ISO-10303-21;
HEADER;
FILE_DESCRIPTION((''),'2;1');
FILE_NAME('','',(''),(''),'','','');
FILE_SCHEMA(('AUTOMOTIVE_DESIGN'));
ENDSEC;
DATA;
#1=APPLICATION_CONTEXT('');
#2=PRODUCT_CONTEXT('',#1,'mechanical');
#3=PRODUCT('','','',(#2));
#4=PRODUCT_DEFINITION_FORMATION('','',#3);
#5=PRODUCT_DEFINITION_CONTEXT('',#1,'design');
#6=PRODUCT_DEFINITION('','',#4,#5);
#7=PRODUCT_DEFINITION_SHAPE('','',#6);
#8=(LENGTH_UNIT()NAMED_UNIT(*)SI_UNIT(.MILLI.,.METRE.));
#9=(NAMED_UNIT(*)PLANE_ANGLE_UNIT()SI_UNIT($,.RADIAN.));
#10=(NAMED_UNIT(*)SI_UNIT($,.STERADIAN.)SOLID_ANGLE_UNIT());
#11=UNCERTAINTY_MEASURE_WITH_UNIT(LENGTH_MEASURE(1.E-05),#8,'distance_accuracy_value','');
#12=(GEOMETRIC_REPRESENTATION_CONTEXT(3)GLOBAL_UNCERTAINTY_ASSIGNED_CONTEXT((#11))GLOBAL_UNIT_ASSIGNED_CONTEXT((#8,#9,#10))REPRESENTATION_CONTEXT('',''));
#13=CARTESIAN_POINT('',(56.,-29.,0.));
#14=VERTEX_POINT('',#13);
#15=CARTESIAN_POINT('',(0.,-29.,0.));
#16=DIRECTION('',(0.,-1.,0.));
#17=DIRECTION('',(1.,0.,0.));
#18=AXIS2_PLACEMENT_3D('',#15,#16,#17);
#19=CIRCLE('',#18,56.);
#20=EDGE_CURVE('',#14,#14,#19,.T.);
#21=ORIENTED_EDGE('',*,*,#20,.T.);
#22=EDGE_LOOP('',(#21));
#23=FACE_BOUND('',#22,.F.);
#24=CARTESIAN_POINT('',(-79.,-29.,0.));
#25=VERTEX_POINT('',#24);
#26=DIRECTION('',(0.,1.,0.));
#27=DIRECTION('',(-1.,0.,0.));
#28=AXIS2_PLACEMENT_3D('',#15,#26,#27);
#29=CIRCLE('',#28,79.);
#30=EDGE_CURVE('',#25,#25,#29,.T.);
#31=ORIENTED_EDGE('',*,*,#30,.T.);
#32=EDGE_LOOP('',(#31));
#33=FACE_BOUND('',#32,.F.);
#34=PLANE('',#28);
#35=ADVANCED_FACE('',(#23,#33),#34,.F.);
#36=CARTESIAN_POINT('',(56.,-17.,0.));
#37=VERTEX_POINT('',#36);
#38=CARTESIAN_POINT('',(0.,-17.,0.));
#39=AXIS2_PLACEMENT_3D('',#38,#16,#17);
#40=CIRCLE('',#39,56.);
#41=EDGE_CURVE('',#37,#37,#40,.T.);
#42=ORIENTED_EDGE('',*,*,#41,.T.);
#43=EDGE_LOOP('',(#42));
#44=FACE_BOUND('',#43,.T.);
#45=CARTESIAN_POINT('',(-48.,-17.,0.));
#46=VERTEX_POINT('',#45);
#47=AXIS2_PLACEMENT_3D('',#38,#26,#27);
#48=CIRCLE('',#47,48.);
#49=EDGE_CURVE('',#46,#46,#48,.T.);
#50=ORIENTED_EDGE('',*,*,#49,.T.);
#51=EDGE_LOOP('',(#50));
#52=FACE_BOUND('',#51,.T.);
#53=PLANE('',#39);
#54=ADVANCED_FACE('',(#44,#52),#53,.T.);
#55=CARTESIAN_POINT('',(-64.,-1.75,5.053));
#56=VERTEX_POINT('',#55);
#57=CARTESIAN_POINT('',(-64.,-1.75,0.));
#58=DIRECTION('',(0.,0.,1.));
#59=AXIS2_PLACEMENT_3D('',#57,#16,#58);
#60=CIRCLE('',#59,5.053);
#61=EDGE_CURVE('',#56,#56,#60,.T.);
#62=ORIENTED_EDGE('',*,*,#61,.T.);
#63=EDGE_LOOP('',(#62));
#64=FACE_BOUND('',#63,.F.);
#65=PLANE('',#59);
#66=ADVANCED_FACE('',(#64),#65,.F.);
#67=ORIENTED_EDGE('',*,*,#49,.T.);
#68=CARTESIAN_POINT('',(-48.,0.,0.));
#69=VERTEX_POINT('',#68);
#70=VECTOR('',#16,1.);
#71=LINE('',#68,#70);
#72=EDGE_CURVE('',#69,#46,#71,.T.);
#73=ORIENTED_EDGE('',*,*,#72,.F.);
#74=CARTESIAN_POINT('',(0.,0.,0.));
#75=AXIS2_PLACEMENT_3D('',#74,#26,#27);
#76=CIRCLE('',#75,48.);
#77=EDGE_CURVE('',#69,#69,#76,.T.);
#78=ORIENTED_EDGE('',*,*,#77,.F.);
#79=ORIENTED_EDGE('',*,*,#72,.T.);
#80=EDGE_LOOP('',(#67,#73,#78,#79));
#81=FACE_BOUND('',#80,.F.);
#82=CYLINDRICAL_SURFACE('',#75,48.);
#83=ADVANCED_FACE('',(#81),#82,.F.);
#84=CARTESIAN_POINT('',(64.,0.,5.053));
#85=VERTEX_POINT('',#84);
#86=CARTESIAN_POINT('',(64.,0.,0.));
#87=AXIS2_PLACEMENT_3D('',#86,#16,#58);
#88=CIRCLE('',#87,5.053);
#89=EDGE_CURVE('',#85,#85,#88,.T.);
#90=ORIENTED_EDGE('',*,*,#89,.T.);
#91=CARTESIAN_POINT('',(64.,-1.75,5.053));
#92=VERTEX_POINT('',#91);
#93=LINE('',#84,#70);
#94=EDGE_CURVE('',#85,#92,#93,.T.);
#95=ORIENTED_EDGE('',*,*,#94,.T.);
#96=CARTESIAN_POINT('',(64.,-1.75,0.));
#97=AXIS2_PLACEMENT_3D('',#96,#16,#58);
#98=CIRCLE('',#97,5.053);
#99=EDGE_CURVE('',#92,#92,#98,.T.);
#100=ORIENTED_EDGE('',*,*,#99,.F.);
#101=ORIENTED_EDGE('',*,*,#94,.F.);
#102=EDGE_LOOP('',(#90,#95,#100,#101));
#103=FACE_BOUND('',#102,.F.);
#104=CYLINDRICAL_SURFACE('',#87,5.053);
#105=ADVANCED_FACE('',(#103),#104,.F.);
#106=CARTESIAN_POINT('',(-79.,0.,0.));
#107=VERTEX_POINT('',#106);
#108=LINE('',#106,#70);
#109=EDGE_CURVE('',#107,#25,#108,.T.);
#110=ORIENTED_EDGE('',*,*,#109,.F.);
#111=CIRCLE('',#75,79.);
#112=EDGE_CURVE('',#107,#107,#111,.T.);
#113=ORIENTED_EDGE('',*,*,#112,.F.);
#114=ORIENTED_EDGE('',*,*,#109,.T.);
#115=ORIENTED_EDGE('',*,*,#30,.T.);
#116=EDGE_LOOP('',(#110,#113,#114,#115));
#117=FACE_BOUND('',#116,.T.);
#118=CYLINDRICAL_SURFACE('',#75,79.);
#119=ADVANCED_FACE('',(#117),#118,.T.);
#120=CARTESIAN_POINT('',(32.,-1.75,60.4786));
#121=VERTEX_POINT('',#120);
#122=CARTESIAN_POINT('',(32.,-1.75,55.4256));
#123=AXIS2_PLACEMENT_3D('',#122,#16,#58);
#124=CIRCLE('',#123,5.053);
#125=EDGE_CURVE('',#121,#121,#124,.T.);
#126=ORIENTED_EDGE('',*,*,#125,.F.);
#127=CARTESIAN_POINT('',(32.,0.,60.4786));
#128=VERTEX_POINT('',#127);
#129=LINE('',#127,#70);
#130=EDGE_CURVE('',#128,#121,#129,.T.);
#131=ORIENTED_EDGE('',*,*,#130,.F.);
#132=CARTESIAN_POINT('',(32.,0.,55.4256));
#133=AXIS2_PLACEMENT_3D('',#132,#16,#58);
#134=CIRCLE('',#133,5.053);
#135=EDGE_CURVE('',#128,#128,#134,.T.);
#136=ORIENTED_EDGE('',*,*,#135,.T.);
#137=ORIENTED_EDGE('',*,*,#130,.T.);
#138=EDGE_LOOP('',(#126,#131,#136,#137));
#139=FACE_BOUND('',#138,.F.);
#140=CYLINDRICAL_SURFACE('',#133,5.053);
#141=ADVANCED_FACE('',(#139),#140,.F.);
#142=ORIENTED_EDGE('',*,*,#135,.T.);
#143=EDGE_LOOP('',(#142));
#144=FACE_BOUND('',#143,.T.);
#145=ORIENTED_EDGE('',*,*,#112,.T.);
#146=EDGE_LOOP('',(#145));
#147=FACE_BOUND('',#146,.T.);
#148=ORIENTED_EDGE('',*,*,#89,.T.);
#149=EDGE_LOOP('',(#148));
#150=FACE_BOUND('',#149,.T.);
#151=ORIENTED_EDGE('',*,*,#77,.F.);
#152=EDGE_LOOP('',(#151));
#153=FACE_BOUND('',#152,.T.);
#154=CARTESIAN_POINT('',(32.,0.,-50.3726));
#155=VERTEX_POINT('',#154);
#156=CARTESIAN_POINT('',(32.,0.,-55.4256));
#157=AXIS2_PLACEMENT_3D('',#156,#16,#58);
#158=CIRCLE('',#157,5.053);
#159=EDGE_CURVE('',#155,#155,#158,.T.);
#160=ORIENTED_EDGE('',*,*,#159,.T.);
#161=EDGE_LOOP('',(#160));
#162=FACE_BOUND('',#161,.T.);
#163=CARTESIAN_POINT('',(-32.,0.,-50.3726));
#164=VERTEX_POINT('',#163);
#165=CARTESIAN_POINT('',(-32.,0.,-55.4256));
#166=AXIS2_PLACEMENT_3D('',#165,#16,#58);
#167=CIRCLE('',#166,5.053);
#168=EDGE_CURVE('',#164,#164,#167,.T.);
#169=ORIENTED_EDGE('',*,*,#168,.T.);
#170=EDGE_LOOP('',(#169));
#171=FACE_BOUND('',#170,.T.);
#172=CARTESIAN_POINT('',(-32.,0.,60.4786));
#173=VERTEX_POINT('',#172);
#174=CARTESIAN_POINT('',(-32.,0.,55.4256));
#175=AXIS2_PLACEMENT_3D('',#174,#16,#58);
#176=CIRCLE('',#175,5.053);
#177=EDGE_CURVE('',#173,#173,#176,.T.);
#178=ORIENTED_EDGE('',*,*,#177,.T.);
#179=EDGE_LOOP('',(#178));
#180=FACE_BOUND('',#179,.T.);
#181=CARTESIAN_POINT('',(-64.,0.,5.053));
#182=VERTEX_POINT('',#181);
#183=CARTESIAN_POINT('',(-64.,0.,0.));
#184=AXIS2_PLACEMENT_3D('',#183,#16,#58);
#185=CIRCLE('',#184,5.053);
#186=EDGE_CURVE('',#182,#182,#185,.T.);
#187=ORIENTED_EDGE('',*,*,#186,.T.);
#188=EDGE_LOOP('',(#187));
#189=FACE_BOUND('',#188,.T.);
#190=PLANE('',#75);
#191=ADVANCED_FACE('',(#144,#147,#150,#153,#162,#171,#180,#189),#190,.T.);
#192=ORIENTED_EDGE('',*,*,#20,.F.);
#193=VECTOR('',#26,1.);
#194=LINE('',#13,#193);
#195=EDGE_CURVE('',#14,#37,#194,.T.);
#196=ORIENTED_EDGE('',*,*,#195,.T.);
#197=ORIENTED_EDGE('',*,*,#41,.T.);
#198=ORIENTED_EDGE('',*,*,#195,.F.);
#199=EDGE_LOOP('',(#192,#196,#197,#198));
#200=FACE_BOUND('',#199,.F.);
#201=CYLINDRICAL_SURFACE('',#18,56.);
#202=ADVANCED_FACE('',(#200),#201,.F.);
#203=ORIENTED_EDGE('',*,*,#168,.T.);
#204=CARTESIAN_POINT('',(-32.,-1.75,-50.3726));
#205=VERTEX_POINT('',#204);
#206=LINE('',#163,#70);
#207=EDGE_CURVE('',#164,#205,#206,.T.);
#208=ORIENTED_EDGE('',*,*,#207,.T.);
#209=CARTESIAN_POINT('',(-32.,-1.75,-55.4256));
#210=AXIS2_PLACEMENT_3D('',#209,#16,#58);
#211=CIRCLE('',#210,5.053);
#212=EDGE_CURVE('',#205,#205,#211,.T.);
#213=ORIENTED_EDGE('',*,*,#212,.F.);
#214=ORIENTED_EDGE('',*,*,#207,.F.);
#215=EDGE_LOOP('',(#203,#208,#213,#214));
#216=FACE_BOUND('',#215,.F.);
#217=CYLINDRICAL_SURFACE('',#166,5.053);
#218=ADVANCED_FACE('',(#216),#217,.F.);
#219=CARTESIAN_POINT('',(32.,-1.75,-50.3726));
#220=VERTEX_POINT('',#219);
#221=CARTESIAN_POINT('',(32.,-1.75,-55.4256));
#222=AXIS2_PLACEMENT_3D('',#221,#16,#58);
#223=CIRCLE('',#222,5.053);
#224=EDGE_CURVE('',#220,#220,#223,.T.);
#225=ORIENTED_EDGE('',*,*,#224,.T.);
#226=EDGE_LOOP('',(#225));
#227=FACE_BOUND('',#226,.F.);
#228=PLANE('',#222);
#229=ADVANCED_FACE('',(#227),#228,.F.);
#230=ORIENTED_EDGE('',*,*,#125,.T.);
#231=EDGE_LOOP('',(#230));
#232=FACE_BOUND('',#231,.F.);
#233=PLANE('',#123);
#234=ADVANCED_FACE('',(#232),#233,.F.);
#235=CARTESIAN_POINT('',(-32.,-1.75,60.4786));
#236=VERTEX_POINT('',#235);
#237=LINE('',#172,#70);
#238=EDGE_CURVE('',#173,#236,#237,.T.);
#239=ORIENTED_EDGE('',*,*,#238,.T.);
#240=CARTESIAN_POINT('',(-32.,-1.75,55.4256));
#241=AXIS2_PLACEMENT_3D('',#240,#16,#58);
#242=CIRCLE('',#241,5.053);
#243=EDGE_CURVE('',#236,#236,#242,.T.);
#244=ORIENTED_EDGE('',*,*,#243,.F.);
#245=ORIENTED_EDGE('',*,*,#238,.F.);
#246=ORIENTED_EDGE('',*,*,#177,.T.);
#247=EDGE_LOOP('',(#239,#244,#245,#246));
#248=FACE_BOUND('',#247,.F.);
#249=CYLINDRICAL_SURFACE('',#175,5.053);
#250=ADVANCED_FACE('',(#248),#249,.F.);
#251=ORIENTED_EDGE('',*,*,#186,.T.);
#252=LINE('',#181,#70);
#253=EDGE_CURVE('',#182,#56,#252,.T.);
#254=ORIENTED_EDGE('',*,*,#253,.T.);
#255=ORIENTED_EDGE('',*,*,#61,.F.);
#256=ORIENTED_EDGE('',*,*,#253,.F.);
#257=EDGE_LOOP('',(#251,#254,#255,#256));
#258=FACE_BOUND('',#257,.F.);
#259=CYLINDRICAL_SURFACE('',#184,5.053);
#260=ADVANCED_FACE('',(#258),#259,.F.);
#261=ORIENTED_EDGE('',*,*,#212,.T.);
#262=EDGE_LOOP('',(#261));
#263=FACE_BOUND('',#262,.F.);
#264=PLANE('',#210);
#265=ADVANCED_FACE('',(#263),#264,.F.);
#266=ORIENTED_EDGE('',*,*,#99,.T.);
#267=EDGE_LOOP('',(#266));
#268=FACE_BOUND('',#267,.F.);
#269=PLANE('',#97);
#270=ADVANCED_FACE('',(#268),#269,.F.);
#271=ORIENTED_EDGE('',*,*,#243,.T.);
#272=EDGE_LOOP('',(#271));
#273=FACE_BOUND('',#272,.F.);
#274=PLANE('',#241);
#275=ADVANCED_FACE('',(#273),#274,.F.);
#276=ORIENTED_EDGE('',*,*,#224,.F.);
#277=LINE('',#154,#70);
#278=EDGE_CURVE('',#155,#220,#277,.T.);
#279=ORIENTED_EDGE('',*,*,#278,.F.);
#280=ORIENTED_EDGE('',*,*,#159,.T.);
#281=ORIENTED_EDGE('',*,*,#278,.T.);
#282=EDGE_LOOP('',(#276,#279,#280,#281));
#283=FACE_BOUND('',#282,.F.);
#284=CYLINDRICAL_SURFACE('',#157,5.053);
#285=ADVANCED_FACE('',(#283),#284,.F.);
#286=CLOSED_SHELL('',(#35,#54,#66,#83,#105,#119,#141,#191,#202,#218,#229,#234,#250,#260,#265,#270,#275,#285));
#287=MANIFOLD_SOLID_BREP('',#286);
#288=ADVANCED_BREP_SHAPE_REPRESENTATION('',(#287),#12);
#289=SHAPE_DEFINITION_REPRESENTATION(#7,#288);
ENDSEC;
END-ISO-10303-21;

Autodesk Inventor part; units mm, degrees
ref_plane "YZ Plane" through (0, 0, 0) normal (1, 0, 0) x (0, 1, 0)
ref_plane "XZ Plane" through (0, 0, 0) normal (0, 1, 0) x (-1, 0, 0)
ref_plane "XY Plane" through (0, 0, 0) normal (0, 0, 1) x (1, 0, 0)
sketch "Boceto1" plane through (0, 0, 0) normal (0, 1, 0) x (-1, 0, 0)
  circle A0 centre (0, 0) radius 79
  circle A1 centre (0, 0) radius 48
  dimension "d0" = 158
  dimension "d1" = 96
extrude "Extrusión1" add sketch "Boceto1" against normal blind 29
sketch "Boceto2" plane through (0, -29, 0) normal (0, -1, 0) x (1, 0, 0)
  circle A0 centre (0, 0) radius 56
  dimension "d4" = 112
extrude "Extrusión2" cut sketch "Boceto2" against normal blind 12
sketch "Boceto3" plane through (0, 0, 0) normal (0, 1, 0) x (1, 0, 0)
  circle A0 centre (0, 0) radius 64 construction
  circle A1 centre (0, 0) radius 48 projected
  line L0 (0, 0) -> (64, 0) construction
  point P0 (32, 55.4256)
  point P1 (-32, 55.4256)
  point P2 (-64, 0)
  point P3 (-32, -55.4256)
  point P4 (32, -55.4256)
  dimension "d7" = 128
  dimension "d10" = 360
hole "Agujero1" at (64, 0, 0) at (32, 0, -55.4256) at (-32, 0, -55.4256) at (-64, 0, 0) at (-32, 0, 55.4256) at (32, 0, 55.4256) direction (0, -1, 0) diameter 10.106 depth 1.75 thread size "M12x1.75" class "6H" standard "ISO Metric profile"
properties part number "4_AnilloComplementarioB"
